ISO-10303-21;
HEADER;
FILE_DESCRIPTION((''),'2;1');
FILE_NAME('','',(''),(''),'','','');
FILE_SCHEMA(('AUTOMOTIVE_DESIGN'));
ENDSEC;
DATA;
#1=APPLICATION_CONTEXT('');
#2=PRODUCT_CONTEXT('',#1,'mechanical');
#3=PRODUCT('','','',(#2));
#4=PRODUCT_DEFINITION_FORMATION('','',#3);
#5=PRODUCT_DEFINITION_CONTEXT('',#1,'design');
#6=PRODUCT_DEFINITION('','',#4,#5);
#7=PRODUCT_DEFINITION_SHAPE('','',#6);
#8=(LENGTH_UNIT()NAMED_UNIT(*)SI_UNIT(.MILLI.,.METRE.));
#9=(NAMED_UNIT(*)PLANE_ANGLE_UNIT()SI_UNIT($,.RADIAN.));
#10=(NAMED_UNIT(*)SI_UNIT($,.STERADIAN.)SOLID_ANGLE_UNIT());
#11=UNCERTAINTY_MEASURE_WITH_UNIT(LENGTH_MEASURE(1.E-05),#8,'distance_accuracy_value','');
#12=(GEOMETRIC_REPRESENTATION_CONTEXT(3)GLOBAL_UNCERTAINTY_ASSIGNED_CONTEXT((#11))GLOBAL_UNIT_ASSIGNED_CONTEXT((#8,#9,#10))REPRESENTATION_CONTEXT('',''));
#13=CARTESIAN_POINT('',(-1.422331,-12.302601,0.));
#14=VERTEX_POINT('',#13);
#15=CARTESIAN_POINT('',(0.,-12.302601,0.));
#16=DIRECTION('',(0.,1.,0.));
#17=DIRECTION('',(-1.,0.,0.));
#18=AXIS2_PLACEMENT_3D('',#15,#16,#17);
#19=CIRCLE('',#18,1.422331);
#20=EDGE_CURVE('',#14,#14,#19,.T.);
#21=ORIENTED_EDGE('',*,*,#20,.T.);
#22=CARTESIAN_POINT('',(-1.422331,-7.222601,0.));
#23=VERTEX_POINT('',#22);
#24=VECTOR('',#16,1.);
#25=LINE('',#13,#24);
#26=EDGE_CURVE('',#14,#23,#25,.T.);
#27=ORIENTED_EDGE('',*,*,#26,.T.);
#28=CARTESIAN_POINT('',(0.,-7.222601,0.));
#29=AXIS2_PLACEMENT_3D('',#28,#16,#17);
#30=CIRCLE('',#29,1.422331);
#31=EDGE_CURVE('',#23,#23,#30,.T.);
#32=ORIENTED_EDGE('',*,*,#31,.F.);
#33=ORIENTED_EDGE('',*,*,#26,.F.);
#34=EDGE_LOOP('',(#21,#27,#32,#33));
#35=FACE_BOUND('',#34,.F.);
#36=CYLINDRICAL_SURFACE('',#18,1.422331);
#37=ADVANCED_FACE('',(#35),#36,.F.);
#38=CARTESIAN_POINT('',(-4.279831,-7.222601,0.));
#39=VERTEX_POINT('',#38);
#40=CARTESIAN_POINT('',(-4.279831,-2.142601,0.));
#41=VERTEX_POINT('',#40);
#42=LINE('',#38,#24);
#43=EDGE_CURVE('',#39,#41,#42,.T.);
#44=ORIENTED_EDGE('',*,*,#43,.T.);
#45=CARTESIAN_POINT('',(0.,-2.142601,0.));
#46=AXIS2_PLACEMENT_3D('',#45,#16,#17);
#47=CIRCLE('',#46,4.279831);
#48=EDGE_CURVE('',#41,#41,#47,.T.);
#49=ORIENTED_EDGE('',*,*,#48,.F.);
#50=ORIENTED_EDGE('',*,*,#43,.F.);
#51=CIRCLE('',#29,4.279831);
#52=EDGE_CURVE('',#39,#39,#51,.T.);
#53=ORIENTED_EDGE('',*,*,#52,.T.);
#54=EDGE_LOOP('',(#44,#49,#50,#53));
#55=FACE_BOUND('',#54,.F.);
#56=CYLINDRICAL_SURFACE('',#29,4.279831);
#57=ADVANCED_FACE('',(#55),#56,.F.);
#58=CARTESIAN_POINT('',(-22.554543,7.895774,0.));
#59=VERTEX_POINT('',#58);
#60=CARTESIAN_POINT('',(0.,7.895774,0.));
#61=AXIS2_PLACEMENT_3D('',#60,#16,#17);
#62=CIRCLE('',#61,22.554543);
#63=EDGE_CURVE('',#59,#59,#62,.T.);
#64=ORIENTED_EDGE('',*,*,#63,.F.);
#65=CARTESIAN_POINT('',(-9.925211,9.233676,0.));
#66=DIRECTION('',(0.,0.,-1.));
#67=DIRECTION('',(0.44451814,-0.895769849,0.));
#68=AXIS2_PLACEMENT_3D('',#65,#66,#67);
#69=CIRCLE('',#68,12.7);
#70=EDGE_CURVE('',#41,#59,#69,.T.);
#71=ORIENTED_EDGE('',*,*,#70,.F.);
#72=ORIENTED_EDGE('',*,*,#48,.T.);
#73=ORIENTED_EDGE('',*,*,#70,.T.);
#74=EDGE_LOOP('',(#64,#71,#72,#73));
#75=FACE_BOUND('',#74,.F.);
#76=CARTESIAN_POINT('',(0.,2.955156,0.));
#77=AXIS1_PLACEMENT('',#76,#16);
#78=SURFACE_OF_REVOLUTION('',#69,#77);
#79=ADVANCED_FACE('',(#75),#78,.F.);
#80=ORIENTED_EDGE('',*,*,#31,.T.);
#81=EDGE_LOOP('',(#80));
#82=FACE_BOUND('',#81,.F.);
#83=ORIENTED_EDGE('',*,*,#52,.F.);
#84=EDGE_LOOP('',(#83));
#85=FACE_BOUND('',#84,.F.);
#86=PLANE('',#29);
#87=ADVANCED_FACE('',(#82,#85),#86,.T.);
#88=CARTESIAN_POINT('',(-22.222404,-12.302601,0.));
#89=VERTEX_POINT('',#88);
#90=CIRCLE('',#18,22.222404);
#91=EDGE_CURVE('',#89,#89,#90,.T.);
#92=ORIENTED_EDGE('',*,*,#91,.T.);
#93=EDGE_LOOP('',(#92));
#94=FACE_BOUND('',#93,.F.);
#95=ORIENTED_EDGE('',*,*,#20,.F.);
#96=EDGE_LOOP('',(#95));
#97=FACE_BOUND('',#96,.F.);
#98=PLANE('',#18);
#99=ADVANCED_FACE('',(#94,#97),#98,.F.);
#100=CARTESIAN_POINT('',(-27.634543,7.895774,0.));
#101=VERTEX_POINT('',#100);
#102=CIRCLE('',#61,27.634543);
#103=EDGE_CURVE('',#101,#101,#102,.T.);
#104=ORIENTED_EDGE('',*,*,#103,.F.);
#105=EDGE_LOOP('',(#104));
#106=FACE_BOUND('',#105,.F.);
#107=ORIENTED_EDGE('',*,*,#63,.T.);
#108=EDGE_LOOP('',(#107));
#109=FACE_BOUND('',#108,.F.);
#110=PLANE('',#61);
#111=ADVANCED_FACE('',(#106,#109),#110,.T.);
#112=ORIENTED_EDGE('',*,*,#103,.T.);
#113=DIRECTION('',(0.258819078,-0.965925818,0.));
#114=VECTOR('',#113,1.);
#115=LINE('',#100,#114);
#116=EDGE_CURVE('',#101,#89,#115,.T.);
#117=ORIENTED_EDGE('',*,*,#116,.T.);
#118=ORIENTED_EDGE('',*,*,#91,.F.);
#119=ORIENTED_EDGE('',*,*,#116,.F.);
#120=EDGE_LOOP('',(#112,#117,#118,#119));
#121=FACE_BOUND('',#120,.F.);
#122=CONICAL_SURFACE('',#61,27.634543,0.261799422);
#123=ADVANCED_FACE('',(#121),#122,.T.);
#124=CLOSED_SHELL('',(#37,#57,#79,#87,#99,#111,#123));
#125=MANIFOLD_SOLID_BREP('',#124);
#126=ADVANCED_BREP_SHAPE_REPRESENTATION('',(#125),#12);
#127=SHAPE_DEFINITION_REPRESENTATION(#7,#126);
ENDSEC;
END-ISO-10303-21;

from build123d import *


with BuildPart() as f1:
    # F0 (on Top) → F1 (revolve)
    with BuildSketch(Plane.XY):
        with BuildLine():
            Line((-1.422331, -7.222601), (-4.279831, -7.222601))
            Line((-4.279831, -7.222601), (-4.279831, -2.142601))
            ThreePointArc((-4.279831, -2.142601), (-16.039632, -1.897535), (-22.554543, 7.895774))
            Line((-22.554543, 7.895774), (-27.634543, 7.895774))
            Line((-27.634543, 7.895774), (-22.222404, -12.302601))
            Line((-22.222404, -12.302601), (-1.422331, -12.302601))
            Line((-1.422331, -12.302601), (-1.422331, -7.222601))
        make_face()
    revolve(axis=Axis((0, 2.955156, 0), (0, 1, 0)))


solid = f1.part
